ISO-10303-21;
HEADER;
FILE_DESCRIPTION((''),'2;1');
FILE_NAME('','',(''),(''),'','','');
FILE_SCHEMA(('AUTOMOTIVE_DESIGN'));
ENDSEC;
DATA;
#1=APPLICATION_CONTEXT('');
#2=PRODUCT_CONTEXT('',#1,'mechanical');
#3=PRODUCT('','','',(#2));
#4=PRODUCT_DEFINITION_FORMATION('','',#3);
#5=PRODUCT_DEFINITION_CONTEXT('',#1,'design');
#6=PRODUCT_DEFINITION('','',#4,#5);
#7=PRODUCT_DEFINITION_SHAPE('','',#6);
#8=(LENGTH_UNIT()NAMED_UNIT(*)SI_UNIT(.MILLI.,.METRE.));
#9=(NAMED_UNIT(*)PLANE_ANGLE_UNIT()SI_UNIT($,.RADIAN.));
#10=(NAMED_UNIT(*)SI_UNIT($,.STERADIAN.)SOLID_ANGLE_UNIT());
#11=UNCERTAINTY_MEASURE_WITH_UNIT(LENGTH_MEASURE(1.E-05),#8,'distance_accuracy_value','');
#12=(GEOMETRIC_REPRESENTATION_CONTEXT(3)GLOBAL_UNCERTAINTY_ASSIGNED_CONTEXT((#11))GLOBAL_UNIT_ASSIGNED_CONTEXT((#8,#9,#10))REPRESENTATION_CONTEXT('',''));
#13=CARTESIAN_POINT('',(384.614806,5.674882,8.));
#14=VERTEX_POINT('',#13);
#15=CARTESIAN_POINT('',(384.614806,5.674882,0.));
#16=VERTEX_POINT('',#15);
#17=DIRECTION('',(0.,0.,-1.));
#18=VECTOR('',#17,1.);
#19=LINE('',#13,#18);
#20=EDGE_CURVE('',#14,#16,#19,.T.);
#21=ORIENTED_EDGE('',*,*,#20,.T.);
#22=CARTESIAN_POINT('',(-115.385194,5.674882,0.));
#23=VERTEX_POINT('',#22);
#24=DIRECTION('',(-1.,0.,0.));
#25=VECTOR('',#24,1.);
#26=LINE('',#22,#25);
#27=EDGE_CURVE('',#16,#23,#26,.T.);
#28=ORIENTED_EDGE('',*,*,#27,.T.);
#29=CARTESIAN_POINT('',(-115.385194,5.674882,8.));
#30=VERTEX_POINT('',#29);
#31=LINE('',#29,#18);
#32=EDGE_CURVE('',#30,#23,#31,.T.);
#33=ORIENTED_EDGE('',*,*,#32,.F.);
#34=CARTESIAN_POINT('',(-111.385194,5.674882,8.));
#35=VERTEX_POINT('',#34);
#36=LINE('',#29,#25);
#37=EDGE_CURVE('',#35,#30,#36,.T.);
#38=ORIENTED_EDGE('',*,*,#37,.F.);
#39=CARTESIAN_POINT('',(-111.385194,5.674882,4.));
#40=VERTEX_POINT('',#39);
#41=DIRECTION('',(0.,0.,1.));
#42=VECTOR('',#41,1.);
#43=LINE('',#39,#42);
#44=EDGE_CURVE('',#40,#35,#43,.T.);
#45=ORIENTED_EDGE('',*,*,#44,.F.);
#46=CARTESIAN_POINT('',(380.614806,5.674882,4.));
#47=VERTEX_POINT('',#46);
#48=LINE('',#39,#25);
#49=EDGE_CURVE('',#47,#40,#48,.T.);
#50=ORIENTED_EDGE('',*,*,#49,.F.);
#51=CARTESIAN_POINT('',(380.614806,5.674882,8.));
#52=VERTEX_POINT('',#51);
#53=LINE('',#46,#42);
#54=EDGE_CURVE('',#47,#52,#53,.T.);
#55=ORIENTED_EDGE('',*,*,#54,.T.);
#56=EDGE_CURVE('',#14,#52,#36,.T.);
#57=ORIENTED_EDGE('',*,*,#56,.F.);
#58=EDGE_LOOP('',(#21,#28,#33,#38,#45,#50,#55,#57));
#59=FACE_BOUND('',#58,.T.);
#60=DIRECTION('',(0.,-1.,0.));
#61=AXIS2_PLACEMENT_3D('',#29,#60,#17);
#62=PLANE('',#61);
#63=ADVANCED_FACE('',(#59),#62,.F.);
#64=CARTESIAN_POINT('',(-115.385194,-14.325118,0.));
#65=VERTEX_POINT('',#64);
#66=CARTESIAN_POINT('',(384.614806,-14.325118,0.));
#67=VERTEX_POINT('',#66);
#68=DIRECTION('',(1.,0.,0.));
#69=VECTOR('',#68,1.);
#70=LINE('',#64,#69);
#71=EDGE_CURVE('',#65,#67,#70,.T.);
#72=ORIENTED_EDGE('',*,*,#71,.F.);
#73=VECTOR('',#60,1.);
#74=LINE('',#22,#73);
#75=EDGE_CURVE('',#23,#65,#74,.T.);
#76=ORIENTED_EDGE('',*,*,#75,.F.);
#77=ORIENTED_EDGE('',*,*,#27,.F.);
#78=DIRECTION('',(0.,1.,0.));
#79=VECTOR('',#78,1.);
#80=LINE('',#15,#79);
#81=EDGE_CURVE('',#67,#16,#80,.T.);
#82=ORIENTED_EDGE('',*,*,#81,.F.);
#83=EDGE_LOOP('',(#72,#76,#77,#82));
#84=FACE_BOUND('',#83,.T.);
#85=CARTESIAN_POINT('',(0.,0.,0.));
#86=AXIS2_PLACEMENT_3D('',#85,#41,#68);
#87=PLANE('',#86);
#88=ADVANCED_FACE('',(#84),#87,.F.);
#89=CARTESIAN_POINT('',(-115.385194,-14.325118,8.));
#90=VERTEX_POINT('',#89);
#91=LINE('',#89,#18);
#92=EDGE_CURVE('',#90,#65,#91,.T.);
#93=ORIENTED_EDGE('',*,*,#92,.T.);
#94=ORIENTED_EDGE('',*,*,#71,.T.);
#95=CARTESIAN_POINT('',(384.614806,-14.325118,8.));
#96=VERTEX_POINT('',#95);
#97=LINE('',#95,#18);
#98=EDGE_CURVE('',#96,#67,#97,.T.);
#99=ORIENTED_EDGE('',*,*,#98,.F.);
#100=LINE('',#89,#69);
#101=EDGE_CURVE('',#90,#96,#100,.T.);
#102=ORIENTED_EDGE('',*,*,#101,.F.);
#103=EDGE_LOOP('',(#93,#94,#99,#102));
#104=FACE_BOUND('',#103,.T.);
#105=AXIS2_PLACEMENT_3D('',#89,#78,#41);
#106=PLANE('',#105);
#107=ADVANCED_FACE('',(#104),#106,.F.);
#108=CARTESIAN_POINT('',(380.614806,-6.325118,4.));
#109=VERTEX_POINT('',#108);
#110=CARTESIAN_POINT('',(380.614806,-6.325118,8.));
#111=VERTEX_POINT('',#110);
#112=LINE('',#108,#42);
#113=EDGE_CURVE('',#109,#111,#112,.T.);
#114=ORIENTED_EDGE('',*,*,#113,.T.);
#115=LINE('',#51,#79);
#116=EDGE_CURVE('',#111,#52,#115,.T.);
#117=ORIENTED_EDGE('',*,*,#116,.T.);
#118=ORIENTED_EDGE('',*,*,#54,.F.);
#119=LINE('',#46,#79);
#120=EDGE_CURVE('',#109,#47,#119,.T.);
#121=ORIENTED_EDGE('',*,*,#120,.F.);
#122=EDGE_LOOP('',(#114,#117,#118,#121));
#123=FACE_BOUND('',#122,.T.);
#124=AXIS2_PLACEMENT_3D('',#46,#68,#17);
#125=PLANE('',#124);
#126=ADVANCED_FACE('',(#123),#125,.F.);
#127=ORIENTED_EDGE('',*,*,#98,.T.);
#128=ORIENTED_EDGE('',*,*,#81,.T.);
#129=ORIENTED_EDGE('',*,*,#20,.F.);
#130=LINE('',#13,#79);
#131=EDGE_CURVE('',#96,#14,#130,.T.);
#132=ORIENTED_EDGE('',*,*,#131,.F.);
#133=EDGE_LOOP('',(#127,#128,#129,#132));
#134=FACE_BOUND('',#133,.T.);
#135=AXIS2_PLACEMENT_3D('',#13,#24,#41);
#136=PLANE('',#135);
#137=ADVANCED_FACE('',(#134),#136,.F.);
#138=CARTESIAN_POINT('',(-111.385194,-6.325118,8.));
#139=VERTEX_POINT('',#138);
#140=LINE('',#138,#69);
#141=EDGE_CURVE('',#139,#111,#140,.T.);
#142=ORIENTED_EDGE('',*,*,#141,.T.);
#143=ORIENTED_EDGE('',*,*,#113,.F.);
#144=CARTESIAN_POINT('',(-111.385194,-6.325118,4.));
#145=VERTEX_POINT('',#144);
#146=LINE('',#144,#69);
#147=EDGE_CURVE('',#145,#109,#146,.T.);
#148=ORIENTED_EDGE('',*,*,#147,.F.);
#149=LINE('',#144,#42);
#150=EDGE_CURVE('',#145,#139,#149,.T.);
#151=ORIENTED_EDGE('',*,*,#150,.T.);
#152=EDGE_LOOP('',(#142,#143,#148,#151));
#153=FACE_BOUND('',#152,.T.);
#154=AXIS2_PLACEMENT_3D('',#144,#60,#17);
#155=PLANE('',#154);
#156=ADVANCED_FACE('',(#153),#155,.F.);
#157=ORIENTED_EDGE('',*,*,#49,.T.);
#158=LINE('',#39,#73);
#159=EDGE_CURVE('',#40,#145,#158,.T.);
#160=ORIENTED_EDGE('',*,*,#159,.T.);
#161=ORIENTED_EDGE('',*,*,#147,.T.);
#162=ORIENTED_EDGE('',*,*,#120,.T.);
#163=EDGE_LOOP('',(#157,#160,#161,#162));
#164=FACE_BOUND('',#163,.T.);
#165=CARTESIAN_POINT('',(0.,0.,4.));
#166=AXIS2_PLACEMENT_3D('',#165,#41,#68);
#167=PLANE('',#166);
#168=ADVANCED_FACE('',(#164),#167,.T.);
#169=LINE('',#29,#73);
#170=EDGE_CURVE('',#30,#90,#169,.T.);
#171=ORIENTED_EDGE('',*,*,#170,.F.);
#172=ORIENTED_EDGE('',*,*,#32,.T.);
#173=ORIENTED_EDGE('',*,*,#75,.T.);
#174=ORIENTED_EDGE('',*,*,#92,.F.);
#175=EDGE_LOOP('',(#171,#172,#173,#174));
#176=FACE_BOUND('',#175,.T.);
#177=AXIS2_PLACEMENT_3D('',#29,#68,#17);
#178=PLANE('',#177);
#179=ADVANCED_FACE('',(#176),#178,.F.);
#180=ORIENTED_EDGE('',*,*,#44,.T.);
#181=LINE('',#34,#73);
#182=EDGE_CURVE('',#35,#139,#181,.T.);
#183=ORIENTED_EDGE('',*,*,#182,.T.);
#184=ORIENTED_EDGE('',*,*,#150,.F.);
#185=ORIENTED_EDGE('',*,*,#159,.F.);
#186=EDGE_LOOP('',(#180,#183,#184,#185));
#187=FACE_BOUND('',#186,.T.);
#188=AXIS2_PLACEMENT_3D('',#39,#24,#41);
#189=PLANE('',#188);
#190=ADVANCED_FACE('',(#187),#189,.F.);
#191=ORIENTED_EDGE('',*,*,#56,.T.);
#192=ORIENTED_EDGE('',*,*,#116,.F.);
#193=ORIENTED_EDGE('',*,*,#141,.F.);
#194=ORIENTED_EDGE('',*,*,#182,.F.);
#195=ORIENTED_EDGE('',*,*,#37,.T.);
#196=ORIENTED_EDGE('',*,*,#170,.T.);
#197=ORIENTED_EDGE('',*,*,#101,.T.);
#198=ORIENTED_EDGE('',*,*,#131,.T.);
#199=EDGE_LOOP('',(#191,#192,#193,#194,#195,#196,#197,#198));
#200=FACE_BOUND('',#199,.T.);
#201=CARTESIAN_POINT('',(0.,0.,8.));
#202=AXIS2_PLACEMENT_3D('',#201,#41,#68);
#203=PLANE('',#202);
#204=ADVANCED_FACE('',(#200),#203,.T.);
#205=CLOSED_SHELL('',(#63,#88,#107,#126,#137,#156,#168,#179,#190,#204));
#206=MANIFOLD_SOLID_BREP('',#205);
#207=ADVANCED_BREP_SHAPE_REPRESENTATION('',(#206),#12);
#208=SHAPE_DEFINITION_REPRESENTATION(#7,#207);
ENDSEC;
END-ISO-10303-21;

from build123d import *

# Parameters (mm, degrees)
ESQUISSE1_W             = 500
ESQUISSE1_H             = 20
BOSS_EXTRU_1_DEPTH      = 8
ESQUISSE2_W             = 492
ESQUISSE2_H             = 12
ENL_V_MAT_EXTRU_1_DEPTH = 4


with BuildPart() as part:
    # Esquisse1 → Boss.-Extru.1 (new body)
    with BuildSketch(Plane.XY):
        with Locations((134.61480575, -4.325118483)):
            Rectangle(ESQUISSE1_W, ESQUISSE1_H)
    extrude(amount=BOSS_EXTRU_1_DEPTH)

    # Esquisse2 → Enlèv. mat.-Extru.1 (cut)
    with BuildSketch(Plane.XY.offset(8)):
        with Locations((134.61480575, -0.325118483)):
            Rectangle(ESQUISSE2_W, ESQUISSE2_H)
    extrude(amount=-ENL_V_MAT_EXTRU_1_DEPTH, mode=Mode.SUBTRACT)


solid = part.part
